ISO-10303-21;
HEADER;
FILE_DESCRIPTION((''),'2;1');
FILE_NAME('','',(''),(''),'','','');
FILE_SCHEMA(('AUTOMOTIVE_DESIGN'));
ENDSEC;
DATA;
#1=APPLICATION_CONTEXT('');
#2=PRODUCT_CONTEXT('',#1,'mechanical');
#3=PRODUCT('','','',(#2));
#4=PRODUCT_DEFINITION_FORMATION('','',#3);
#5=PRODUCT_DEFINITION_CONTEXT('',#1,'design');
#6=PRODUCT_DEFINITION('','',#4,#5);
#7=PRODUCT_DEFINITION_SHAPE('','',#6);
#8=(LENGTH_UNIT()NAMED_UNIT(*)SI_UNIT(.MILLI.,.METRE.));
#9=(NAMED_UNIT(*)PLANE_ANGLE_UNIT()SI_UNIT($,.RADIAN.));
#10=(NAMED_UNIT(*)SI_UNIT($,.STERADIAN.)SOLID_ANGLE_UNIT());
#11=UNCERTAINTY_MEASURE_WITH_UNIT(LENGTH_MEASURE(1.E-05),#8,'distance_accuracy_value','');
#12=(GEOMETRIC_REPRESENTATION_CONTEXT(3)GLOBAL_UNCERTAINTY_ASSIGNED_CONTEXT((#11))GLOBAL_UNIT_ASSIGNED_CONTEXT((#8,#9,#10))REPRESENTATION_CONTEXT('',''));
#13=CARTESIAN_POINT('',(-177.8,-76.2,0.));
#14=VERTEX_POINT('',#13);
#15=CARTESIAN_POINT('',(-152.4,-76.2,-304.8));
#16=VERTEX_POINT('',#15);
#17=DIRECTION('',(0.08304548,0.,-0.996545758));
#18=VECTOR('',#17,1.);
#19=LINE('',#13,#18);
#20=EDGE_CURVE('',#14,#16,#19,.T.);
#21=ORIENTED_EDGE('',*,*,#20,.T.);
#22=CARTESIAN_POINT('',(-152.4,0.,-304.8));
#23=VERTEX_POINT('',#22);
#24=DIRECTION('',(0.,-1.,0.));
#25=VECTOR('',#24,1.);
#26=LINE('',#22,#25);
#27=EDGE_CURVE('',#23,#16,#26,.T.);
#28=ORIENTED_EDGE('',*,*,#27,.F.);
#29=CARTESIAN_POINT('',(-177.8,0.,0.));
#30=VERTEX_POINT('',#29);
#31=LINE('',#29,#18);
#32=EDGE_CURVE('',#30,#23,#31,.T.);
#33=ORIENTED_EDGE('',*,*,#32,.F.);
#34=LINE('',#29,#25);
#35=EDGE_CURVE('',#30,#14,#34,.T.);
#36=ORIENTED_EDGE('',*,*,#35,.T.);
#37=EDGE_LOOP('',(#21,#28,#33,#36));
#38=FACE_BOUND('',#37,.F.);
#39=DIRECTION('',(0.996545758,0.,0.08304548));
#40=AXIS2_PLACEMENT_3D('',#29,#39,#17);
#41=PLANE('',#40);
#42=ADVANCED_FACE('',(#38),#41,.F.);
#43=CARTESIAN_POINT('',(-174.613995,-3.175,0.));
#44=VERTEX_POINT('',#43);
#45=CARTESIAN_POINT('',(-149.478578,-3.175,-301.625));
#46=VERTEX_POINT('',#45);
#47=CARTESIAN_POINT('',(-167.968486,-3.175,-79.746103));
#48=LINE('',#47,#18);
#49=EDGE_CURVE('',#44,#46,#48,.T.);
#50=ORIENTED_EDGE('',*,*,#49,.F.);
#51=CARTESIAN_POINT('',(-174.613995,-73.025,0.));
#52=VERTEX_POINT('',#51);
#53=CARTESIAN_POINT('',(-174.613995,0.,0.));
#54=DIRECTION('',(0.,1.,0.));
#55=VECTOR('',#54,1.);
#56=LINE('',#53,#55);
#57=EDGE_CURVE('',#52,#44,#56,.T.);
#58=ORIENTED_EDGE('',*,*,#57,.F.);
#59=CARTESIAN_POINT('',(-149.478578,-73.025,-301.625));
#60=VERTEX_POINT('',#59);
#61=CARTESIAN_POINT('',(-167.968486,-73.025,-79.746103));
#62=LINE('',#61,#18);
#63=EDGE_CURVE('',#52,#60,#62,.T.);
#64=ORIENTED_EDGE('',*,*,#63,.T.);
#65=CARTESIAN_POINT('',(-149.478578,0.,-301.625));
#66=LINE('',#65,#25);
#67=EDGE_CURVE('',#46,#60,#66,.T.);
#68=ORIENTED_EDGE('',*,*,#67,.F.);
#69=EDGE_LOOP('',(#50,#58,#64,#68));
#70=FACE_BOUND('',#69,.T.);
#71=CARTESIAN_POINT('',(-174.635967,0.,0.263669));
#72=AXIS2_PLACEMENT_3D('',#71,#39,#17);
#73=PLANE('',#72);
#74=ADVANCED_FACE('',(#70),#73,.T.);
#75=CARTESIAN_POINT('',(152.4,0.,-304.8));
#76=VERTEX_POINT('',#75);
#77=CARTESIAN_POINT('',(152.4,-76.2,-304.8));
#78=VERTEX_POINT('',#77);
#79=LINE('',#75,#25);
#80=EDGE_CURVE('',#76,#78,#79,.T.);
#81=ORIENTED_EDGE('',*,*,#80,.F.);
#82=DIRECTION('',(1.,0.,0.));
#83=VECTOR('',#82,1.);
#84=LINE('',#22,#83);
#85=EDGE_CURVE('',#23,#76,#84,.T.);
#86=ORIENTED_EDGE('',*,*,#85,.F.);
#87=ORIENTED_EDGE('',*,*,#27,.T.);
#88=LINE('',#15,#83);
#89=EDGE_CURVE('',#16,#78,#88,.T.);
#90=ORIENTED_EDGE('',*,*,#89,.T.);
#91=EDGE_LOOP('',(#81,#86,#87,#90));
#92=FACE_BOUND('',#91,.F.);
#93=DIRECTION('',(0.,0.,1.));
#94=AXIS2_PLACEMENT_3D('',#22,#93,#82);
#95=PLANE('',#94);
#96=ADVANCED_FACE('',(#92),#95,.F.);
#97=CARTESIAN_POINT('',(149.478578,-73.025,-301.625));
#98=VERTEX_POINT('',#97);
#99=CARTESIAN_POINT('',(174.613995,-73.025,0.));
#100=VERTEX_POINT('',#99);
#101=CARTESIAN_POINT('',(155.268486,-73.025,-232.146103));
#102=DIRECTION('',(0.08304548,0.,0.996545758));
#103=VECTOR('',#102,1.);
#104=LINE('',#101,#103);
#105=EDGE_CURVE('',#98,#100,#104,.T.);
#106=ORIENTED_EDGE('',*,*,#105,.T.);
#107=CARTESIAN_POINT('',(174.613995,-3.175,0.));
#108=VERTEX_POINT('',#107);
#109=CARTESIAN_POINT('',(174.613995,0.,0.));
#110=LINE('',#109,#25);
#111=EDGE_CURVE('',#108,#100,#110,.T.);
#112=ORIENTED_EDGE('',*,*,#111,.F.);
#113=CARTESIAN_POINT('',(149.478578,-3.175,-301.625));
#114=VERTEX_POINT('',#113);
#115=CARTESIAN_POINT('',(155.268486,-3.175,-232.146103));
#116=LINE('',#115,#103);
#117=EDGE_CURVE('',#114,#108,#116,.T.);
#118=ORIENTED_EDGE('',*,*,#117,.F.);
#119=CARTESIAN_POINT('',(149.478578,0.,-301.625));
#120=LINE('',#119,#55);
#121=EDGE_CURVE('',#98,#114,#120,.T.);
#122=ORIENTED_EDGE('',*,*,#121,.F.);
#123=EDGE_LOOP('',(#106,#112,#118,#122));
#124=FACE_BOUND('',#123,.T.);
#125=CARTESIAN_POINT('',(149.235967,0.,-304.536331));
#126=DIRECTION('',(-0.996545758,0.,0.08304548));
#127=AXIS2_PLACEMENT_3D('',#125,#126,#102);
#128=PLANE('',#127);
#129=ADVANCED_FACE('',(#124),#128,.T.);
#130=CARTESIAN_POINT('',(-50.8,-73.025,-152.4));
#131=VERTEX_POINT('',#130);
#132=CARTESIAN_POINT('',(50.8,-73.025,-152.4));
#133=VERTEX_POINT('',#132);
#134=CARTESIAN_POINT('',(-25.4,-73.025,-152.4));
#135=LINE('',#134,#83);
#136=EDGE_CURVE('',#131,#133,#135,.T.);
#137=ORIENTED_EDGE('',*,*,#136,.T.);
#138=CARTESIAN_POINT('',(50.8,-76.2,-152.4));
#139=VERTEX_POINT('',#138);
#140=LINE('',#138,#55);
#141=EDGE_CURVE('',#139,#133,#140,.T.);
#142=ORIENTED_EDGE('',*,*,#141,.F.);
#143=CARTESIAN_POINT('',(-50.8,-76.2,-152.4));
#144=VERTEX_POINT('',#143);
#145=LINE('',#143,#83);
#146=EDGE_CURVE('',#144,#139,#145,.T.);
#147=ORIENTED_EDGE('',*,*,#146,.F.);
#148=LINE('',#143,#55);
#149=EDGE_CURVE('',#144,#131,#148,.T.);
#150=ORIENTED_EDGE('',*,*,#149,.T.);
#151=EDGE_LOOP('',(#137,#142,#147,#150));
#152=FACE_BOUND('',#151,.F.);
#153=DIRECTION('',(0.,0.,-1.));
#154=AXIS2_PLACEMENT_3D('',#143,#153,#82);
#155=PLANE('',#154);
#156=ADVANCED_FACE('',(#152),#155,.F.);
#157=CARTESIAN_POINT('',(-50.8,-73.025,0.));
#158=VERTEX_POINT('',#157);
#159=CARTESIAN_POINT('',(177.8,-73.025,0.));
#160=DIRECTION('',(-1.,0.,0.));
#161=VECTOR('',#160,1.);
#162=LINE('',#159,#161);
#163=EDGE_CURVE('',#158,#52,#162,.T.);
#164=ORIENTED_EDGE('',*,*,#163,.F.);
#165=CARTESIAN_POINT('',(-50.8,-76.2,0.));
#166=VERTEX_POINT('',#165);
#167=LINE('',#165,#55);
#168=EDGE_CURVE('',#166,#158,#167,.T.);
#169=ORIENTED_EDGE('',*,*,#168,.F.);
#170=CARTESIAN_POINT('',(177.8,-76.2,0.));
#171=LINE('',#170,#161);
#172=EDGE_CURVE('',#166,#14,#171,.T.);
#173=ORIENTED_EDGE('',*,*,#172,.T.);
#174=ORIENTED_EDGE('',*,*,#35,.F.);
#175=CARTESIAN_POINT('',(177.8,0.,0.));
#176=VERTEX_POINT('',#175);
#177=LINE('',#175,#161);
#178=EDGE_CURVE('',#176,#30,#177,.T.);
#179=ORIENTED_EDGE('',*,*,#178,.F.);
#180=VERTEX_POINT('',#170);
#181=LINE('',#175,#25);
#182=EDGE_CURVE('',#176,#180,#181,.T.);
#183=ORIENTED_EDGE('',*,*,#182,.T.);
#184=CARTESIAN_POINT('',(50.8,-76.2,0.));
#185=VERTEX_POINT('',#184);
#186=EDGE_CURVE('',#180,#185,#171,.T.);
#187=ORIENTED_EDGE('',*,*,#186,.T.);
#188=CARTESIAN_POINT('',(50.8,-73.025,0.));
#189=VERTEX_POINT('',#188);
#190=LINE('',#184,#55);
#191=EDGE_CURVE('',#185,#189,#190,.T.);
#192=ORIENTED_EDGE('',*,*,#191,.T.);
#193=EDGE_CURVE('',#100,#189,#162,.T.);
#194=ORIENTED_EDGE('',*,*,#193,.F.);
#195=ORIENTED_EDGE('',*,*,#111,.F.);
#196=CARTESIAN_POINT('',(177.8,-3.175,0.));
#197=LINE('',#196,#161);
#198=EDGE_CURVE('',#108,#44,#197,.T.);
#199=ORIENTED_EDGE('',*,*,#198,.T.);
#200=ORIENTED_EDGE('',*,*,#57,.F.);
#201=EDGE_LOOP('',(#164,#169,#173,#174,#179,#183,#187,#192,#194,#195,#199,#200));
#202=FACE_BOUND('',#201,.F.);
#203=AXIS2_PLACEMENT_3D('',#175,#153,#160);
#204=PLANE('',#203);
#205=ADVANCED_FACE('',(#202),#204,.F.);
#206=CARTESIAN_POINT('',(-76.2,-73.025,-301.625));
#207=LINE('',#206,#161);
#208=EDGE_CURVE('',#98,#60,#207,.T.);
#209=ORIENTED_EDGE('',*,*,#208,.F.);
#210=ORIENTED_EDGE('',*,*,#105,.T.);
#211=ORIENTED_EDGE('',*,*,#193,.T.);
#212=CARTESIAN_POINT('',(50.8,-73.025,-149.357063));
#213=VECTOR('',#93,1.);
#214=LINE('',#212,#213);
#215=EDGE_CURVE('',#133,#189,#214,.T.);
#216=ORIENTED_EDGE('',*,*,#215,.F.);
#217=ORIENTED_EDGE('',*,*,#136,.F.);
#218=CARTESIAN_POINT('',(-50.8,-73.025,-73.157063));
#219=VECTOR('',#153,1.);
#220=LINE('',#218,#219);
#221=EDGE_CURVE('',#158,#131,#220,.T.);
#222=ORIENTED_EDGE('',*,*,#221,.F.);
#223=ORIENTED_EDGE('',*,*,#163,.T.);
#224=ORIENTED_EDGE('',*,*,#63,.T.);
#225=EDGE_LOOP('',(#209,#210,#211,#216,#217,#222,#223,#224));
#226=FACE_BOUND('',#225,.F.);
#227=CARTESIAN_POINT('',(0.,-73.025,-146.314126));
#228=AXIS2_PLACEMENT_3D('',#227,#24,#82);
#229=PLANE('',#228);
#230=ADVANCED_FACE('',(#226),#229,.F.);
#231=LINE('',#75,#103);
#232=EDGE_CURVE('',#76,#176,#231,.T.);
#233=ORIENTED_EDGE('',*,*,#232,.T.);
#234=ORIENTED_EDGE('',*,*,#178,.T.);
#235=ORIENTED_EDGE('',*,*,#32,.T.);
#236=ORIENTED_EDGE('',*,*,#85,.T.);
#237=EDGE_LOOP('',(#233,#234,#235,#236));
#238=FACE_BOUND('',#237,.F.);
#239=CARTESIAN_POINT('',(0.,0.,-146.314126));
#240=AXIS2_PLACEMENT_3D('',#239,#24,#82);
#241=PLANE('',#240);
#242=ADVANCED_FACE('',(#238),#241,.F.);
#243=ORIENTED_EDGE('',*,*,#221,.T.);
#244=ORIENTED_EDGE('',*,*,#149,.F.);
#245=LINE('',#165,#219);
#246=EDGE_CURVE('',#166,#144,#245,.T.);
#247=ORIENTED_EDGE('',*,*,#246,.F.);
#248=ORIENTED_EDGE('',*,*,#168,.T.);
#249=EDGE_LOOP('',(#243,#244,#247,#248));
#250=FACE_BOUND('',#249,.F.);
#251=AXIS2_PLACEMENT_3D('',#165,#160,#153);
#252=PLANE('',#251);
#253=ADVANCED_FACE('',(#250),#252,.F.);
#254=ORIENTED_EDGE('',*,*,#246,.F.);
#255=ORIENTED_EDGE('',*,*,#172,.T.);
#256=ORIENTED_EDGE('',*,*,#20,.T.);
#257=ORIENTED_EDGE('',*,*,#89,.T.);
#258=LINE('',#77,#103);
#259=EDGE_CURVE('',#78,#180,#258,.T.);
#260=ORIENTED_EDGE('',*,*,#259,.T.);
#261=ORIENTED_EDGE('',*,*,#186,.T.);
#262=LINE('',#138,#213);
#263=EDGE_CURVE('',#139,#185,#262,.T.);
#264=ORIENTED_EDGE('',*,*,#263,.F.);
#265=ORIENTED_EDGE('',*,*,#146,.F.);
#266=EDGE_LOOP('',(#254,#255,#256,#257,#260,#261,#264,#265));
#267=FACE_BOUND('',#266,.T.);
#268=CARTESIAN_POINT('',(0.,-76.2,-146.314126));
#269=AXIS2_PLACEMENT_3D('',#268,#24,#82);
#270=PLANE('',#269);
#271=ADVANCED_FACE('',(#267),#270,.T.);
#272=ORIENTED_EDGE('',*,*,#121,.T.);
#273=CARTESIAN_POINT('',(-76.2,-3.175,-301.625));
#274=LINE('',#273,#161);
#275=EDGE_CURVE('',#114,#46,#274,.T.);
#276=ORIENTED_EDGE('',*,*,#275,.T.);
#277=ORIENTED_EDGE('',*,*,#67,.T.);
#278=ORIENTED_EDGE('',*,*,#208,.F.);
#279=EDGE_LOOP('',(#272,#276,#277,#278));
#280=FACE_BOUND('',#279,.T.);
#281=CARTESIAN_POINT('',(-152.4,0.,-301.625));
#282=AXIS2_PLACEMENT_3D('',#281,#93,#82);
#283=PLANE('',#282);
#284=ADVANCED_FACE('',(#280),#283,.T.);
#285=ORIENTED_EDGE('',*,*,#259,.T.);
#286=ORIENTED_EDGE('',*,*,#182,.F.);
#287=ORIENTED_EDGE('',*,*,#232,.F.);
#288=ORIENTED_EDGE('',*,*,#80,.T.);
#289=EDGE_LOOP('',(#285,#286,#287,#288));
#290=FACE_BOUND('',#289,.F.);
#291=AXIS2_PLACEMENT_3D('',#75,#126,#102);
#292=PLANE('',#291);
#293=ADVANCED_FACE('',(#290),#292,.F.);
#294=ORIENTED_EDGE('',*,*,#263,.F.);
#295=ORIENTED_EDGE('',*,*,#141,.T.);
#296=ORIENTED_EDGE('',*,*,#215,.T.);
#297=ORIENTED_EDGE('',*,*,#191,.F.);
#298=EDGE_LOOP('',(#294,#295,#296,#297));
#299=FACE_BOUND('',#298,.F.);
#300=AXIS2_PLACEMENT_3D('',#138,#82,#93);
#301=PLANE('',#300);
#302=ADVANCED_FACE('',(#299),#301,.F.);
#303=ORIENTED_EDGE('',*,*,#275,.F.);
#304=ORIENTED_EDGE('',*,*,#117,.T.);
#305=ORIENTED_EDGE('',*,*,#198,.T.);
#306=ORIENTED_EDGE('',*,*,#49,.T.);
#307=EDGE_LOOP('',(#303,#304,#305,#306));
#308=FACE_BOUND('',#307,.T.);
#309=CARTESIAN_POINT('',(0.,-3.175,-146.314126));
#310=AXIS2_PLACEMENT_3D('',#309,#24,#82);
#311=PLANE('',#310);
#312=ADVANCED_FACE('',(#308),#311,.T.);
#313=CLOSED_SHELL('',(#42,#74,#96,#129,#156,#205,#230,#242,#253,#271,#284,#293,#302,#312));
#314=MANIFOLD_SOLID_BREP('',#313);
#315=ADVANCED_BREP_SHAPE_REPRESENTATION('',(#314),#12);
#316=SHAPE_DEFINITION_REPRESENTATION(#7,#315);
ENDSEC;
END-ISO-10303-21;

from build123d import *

# Parameters (mm, degrees)
F1_DEPTH = 76.2
F2_T     = -3.175
F3_W     = 50.8
F3_H     = 76.2
F4_DEPTH = 25.4


with BuildPart() as f1:
    # F0 (on Front) → F1 (new body)
    with BuildSketch(Plane.XZ):
        Polygon((177.8, 0), (0, 0), (-177.8, 0), (-152.4, -304.8), (0, -304.8), (152.4, -304.8), align=None)
    extrude(amount=F1_DEPTH)

    # F2
    f2_openings = [f1.faces().sort_by_distance(p)[0] for p in [
        (0, -38.1, 0),
    ]]
    offset(amount=F2_T, openings=f2_openings)

    # F3 (on face) → F4 (cut)
    with BuildSketch(Plane.XZ.offset(76.2)):
        with Locations((-25.4, -114.3)):
            Rectangle(F3_W, F3_H)
        with Locations((-25.4, -38.1)):
            Rectangle(F3_W, F3_H)
        with Locations((25.4, -38.1)):
            Rectangle(F3_W, F3_H)
        with Locations((25.4, -114.3)):
            Rectangle(F3_W, F3_H)
    extrude(amount=-F4_DEPTH, mode=Mode.SUBTRACT)


solid = f1.part
